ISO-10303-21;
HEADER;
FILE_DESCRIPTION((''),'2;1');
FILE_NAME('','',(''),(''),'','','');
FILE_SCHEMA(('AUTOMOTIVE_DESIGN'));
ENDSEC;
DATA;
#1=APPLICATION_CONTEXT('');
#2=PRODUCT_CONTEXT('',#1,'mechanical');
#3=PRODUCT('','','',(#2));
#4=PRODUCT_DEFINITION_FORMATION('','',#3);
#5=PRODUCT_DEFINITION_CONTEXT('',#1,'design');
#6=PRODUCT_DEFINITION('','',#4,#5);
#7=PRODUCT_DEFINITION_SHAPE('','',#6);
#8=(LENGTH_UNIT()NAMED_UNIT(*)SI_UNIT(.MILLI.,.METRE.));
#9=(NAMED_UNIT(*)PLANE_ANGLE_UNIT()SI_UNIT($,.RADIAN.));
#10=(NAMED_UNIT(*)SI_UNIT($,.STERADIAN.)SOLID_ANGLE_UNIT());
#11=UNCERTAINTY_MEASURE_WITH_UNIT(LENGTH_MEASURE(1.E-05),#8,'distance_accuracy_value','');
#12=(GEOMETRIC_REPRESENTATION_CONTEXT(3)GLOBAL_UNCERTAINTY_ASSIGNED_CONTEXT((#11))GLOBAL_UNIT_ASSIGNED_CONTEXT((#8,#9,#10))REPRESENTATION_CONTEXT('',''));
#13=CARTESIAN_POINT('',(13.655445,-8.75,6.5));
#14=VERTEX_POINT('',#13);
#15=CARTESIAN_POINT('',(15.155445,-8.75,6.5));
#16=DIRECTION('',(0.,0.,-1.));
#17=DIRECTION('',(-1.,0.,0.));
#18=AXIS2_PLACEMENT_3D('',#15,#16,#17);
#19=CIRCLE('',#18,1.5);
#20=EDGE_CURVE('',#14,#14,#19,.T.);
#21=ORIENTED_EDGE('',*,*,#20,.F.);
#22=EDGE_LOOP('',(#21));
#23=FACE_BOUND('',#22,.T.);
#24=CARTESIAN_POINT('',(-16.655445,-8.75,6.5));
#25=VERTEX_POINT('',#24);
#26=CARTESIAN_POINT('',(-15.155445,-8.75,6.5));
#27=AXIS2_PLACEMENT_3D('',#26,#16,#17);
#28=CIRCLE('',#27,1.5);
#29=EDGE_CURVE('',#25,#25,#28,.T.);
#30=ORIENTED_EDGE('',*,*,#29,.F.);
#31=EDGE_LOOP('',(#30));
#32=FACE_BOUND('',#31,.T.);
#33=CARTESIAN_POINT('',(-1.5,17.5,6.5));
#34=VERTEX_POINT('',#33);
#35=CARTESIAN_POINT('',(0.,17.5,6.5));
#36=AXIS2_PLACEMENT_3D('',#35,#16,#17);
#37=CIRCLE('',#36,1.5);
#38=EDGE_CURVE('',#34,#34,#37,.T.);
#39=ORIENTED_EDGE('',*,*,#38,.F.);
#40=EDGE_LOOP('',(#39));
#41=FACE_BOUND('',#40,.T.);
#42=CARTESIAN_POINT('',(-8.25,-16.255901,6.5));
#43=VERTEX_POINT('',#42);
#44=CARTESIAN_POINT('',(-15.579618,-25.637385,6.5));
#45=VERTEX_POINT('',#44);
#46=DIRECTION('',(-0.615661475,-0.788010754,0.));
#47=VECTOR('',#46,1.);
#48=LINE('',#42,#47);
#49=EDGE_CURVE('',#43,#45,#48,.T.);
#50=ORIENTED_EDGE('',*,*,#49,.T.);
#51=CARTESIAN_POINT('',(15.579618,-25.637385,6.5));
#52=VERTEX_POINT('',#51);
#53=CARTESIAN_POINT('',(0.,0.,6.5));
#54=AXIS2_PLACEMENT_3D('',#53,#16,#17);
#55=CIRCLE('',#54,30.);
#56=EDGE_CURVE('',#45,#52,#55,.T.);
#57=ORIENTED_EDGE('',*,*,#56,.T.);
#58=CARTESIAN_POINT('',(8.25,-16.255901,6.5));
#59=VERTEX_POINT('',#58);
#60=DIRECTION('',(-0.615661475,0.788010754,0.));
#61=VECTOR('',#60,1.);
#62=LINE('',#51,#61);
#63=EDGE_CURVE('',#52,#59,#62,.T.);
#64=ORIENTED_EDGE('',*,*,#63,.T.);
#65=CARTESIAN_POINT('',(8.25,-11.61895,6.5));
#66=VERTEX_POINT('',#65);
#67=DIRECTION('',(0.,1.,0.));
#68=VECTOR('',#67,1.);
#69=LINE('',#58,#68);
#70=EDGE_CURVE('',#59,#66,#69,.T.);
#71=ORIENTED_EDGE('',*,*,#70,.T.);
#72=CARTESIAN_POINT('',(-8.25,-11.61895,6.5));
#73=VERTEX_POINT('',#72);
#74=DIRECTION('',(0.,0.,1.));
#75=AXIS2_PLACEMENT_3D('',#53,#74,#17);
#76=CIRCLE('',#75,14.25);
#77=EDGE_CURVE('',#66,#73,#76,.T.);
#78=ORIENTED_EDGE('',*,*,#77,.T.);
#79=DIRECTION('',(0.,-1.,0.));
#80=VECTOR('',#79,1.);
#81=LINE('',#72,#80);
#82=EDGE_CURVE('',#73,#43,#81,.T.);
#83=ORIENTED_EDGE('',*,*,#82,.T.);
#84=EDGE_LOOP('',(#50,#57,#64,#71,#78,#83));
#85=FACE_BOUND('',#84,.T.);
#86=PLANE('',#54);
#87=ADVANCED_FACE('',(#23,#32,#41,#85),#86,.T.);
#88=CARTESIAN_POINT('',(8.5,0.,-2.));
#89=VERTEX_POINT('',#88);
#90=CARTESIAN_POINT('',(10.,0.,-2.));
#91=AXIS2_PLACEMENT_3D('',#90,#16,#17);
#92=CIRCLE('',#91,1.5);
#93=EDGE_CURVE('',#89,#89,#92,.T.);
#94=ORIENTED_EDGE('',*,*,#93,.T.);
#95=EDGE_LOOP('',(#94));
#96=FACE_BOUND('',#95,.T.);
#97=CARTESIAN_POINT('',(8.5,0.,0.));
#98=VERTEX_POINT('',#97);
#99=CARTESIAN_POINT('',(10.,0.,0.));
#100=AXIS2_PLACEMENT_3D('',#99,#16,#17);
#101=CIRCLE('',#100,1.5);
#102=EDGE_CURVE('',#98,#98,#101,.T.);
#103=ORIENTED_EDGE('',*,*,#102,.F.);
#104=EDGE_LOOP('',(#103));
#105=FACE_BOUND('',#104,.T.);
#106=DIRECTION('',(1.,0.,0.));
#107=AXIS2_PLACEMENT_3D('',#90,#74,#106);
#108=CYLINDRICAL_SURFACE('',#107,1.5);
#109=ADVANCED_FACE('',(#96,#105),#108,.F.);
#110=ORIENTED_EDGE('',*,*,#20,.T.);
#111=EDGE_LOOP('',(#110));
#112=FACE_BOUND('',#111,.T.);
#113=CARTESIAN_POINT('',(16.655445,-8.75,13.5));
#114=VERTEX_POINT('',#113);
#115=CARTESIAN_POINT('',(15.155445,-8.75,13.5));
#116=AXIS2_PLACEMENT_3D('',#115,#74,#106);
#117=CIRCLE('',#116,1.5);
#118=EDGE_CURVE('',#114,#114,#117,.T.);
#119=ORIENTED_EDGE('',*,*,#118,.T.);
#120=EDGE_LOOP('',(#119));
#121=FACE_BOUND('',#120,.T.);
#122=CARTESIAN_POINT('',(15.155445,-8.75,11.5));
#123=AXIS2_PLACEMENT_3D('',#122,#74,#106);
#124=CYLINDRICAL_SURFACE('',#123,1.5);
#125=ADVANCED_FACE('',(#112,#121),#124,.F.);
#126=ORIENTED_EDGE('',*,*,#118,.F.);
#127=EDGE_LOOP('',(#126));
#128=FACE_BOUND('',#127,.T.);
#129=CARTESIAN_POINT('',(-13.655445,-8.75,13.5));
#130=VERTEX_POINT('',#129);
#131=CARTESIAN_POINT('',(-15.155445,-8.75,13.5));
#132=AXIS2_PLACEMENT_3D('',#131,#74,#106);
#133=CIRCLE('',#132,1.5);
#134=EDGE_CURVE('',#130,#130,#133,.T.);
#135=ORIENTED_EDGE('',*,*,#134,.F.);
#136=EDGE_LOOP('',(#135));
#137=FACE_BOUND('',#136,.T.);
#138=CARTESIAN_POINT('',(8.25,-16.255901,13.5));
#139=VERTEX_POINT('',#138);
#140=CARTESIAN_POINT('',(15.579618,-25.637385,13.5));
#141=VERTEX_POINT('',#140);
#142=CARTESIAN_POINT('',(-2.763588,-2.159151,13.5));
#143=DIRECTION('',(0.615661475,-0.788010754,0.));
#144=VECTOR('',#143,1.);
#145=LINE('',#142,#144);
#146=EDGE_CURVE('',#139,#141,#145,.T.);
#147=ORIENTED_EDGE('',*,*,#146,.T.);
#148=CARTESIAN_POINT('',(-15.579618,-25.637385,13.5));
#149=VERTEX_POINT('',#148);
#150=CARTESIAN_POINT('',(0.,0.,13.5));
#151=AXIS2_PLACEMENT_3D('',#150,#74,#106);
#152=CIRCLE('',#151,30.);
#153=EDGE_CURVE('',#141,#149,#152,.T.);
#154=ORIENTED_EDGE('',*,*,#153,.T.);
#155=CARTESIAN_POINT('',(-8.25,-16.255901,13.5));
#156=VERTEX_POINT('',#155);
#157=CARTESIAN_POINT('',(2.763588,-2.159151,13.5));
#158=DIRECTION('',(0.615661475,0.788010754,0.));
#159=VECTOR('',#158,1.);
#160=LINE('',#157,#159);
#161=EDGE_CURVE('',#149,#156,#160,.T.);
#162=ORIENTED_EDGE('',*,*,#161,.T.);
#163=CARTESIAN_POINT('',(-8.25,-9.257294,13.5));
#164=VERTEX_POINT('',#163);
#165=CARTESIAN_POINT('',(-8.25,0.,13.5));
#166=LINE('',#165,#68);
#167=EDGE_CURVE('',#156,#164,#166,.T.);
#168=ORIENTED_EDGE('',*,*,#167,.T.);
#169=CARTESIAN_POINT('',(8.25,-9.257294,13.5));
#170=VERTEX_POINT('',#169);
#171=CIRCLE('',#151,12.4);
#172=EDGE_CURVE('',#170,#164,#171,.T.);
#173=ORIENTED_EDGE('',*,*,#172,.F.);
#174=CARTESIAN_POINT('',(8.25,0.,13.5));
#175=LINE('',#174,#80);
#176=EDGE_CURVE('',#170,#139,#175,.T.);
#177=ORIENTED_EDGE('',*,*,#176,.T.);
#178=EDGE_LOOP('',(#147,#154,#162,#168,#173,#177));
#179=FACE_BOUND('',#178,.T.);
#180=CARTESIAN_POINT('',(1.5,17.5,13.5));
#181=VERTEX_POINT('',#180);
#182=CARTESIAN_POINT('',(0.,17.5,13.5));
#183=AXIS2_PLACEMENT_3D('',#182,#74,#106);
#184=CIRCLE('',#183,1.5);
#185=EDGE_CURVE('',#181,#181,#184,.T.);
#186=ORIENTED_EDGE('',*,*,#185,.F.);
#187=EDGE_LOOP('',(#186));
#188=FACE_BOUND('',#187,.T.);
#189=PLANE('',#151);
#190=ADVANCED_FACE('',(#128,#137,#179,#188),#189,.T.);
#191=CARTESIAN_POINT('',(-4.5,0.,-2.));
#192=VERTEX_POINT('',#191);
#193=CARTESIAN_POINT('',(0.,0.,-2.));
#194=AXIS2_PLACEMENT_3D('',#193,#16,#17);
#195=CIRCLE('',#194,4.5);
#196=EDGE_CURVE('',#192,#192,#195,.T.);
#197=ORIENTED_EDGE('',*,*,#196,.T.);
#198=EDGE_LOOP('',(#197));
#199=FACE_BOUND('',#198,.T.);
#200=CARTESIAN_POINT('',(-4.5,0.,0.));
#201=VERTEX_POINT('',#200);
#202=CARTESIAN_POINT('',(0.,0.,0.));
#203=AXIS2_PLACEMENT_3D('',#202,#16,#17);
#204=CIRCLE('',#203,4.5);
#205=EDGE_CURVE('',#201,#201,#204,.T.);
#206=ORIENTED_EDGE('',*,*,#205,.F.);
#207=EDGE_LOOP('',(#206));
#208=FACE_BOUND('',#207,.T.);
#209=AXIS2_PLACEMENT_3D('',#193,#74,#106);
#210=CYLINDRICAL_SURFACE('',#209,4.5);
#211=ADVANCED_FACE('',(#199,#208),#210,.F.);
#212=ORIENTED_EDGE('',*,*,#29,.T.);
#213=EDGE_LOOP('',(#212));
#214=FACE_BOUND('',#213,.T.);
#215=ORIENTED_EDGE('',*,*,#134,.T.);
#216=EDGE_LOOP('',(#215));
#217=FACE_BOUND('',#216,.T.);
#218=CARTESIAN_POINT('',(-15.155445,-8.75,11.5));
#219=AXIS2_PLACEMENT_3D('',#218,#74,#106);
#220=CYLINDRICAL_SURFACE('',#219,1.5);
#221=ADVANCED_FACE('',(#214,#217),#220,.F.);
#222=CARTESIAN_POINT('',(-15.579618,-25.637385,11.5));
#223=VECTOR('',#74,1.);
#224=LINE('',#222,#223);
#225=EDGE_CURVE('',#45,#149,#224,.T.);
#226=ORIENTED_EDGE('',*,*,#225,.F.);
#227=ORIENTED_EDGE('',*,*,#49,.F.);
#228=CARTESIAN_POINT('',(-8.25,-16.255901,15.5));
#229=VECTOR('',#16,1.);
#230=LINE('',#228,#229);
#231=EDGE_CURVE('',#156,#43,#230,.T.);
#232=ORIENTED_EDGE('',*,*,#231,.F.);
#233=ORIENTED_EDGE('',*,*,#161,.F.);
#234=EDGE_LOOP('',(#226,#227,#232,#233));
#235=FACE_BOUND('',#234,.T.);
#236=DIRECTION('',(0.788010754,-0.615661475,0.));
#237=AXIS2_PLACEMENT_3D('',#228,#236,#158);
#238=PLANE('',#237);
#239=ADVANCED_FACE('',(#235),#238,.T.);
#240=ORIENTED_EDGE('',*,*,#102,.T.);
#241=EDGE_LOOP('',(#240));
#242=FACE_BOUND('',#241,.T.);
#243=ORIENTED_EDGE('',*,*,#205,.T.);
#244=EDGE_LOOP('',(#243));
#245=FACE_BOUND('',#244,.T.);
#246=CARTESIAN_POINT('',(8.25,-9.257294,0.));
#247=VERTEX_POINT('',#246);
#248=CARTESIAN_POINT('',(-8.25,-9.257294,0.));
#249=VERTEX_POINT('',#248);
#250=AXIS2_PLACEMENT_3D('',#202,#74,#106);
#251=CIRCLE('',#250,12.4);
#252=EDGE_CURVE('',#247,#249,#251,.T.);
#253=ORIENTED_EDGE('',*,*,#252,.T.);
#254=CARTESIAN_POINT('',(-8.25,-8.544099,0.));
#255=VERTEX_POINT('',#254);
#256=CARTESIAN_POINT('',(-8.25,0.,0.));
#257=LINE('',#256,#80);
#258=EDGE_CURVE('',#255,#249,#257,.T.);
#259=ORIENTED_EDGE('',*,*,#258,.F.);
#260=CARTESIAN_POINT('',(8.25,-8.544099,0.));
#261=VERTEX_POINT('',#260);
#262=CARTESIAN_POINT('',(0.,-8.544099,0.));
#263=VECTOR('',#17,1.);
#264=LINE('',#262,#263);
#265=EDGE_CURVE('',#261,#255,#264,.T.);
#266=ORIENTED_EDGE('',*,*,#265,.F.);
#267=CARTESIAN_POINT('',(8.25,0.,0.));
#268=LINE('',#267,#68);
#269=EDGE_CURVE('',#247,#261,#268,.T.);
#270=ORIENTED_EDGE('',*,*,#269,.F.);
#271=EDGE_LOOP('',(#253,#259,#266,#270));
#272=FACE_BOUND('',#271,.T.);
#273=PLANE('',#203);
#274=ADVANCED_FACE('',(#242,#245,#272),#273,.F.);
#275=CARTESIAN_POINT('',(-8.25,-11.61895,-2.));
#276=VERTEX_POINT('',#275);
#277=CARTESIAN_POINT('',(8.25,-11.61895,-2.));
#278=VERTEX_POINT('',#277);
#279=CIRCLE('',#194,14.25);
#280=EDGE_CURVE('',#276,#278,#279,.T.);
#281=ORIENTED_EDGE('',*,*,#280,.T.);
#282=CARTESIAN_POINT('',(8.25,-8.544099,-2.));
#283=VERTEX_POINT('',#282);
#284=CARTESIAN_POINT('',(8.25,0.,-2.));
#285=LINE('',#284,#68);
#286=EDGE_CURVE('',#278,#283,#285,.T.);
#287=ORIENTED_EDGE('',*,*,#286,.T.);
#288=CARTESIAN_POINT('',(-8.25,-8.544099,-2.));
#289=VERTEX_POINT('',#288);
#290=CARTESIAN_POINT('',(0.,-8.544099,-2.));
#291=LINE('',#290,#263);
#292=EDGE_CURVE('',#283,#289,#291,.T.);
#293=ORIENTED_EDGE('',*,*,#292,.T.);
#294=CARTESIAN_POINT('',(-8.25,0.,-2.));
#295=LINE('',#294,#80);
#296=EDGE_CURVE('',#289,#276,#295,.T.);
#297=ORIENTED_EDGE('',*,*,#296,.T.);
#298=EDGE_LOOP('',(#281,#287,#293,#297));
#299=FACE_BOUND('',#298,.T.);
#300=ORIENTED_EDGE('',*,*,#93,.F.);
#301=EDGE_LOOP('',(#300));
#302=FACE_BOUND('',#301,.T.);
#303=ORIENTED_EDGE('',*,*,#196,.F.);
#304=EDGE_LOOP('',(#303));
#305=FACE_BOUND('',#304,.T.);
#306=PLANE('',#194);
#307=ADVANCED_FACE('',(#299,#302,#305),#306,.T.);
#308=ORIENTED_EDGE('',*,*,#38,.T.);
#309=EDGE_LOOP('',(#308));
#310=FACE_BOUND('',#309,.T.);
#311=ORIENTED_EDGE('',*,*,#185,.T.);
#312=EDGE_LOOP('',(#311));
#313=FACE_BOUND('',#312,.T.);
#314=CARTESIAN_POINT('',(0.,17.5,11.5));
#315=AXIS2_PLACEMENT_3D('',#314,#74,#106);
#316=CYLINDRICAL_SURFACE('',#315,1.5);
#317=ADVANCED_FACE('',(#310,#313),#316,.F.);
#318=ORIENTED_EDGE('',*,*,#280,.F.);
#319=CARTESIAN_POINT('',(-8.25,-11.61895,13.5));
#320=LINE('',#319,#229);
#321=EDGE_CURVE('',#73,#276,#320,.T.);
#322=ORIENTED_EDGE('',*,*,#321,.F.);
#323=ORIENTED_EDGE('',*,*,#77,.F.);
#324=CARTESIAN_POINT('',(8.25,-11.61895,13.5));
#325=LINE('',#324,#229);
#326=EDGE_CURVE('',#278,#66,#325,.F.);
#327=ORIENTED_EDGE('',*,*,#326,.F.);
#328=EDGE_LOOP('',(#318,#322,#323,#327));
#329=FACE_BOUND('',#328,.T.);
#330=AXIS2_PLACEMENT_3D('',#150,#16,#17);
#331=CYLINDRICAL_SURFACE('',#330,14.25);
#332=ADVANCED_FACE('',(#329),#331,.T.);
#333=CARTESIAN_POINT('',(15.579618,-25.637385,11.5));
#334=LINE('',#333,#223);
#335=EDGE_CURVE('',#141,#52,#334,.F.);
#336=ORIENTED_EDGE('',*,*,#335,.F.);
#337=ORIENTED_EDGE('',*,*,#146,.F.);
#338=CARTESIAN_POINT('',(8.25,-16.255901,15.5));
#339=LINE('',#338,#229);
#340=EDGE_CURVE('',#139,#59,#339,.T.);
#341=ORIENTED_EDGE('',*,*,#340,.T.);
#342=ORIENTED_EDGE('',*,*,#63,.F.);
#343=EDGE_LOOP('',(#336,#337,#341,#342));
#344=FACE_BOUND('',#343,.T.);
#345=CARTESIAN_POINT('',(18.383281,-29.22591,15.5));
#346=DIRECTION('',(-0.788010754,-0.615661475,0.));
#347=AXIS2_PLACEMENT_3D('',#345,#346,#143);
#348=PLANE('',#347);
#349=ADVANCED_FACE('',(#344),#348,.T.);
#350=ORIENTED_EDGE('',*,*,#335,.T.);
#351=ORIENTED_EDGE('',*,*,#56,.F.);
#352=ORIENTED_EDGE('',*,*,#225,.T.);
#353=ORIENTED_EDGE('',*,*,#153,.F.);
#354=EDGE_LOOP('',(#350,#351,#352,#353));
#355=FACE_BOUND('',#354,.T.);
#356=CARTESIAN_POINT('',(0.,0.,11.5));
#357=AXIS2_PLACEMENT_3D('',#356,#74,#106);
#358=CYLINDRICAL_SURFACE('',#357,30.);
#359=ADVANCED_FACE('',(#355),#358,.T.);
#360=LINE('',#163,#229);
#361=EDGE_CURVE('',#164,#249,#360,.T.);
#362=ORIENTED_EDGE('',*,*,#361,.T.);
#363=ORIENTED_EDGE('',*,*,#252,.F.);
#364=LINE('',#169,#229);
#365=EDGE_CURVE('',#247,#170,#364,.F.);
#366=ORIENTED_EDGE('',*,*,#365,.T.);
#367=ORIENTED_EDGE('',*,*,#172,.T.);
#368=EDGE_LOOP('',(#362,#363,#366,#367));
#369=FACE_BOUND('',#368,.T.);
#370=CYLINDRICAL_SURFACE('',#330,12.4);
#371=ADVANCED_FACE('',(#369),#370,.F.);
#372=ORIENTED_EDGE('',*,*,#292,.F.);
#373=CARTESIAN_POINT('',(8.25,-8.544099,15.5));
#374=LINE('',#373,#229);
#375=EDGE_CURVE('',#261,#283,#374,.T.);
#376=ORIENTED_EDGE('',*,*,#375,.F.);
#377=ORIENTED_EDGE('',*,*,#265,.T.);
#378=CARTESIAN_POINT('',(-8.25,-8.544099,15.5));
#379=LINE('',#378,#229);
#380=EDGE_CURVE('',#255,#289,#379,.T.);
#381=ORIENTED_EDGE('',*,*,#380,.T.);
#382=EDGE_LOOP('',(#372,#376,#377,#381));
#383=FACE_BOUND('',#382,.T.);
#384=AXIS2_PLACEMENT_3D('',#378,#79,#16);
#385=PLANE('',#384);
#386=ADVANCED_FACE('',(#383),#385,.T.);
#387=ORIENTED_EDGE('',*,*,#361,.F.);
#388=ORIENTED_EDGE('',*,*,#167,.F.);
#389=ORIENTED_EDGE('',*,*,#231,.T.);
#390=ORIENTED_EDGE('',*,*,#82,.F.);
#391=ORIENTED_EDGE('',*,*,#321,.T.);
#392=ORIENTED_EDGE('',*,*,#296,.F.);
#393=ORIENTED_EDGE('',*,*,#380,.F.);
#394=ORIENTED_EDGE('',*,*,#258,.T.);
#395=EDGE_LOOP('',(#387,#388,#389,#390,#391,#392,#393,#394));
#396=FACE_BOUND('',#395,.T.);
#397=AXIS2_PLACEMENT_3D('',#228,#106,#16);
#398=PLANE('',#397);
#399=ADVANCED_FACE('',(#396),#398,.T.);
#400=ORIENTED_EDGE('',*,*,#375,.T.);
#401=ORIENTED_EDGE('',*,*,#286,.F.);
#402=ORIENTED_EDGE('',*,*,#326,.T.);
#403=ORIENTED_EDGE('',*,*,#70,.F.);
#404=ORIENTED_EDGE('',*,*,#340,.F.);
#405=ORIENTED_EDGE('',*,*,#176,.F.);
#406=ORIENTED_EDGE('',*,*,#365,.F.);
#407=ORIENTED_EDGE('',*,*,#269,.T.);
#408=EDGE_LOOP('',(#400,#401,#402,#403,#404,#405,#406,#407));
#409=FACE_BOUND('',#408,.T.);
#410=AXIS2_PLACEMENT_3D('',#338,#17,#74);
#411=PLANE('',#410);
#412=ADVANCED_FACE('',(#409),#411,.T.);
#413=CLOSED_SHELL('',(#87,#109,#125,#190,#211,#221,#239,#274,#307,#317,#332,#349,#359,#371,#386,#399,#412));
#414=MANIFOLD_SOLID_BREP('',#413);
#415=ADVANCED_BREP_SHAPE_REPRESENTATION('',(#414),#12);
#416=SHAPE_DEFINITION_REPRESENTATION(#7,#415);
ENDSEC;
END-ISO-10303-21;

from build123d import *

# Parameters (mm, degrees)
SKETCH_1_R               = 14.25
SKETCH_1_R_2             = 12.4
EXTRUDE_1_DEPTH          = 13.5
EXTRUDE_START            = 2
SKETCH_2_R               = 14.25
SKETCH_2_R_2             = 4.5
SKETCH_2_R_3             = 1.5
EXTRUDE_2_DEPTH          = 2
EXTRUDE_START_2          = -2
SKETCH_5_R               = 30
SKETCH_5_R_2             = 12.4
EXTRUDE_3_DEPTH          = 2
CUT_EXTRUDE_2_DEPTH      = 2
CUT_EXTRUDE_2_DEPTH_BACK = 19
SKETCH_6_R               = 1.5
CUT_EXTRUDE_3_DEPTH      = 2
SKETCH_8_R               = 1.5
EXTRUDE_4_DEPTH          = 5


with BuildPart() as part:
    # 草图1 → 凸台-拉伸1 (new body)
    with BuildSketch(Plane.XY):
        Circle(SKETCH_1_R)
        Circle(SKETCH_1_R_2, mode=Mode.SUBTRACT)
    extrude(amount=EXTRUDE_1_DEPTH)

    # 草图2 → 凸台-拉伸2 (add)
    with BuildSketch(Plane(origin=(0, 0, 0), x_dir=(-1, 0, 0), z_dir=(0, 0, -1)).offset(EXTRUDE_START)):
        Circle(SKETCH_2_R)
        Circle(SKETCH_2_R_2, mode=Mode.SUBTRACT)
        with Locations((-10, 0)):
            Circle(SKETCH_2_R_3, mode=Mode.SUBTRACT)
    extrude(amount=-EXTRUDE_2_DEPTH)

    # 草图5 → 凸台-拉伸3 (add)
    with BuildSketch(Plane.XY.offset(13.5).offset(EXTRUDE_START_2)):
        Circle(SKETCH_5_R)
        Circle(SKETCH_5_R_2, mode=Mode.SUBTRACT)
    extrude(amount=EXTRUDE_3_DEPTH)

    # 草图4 → 切除-拉伸2 (cut, two sides: drawn at the far end of the back side and taken through both)
    with BuildSketch(Plane.XY.offset(13.5).offset(-CUT_EXTRUDE_2_DEPTH_BACK)):
        Polygon((-8.25, -16.255900921), (-15.579618383, -25.637384637), (-4.242821572, -33.778563125), (18.383281344, -29.225909584), (8.25, -16.255900921), (8.25, -8.544099079), (-8.25, -8.544099079), align=None)
    extrude(amount=CUT_EXTRUDE_2_DEPTH + CUT_EXTRUDE_2_DEPTH_BACK, mode=Mode.SUBTRACT)

    # 草图6 → 切除-拉伸3 (cut)
    with BuildSketch(Plane.XY.offset(13.5)):
        with Locations((0, 17.5)):
            Circle(SKETCH_6_R)
        with Locations((15.155444566, -8.75)):
            Circle(SKETCH_6_R)
        with Locations((-15.155444566, -8.75)):
            Circle(SKETCH_6_R)
    extrude(amount=-CUT_EXTRUDE_3_DEPTH, mode=Mode.SUBTRACT)

    # 草图8 → 凸台-拉伸4 (add)
    with BuildSketch(Plane(origin=(0, 0, 11.5), x_dir=(-1, 0, 0), z_dir=(0, 0, -1))):
        with BuildLine():
            Line((8.25, -11.618950039), (8.25, -16.255900921))
            Line((8.25, -16.255900921), (15.579618383, -25.637384637))
            ThreePointArc((15.579618383, -25.637384637), (0, 30), (-15.579618383, -25.637384637))
            Line((-15.579618383, -25.637384637), (-8.25, -16.255900921))
            Line((-8.25, -16.255900921), (-8.25, -11.618950039))
            ThreePointArc((-8.25, -11.618950039), (0, 14.25), (8.25, -11.618950039))
        make_face()
        with Locations(Location((0, 17.5, 0), (0, 0, 180))):
            Circle(SKETCH_8_R, mode=Mode.SUBTRACT)
        with Locations(Location((-15.155444566, -8.75, 0), (0, 0, 180))):
            Circle(SKETCH_8_R, mode=Mode.SUBTRACT)
        with Locations(Location((15.155444566, -8.75, 0), (0, 0, 180))):
            Circle(SKETCH_8_R, mode=Mode.SUBTRACT)
    extrude(amount=EXTRUDE_4_DEPTH)


solid = part.part
